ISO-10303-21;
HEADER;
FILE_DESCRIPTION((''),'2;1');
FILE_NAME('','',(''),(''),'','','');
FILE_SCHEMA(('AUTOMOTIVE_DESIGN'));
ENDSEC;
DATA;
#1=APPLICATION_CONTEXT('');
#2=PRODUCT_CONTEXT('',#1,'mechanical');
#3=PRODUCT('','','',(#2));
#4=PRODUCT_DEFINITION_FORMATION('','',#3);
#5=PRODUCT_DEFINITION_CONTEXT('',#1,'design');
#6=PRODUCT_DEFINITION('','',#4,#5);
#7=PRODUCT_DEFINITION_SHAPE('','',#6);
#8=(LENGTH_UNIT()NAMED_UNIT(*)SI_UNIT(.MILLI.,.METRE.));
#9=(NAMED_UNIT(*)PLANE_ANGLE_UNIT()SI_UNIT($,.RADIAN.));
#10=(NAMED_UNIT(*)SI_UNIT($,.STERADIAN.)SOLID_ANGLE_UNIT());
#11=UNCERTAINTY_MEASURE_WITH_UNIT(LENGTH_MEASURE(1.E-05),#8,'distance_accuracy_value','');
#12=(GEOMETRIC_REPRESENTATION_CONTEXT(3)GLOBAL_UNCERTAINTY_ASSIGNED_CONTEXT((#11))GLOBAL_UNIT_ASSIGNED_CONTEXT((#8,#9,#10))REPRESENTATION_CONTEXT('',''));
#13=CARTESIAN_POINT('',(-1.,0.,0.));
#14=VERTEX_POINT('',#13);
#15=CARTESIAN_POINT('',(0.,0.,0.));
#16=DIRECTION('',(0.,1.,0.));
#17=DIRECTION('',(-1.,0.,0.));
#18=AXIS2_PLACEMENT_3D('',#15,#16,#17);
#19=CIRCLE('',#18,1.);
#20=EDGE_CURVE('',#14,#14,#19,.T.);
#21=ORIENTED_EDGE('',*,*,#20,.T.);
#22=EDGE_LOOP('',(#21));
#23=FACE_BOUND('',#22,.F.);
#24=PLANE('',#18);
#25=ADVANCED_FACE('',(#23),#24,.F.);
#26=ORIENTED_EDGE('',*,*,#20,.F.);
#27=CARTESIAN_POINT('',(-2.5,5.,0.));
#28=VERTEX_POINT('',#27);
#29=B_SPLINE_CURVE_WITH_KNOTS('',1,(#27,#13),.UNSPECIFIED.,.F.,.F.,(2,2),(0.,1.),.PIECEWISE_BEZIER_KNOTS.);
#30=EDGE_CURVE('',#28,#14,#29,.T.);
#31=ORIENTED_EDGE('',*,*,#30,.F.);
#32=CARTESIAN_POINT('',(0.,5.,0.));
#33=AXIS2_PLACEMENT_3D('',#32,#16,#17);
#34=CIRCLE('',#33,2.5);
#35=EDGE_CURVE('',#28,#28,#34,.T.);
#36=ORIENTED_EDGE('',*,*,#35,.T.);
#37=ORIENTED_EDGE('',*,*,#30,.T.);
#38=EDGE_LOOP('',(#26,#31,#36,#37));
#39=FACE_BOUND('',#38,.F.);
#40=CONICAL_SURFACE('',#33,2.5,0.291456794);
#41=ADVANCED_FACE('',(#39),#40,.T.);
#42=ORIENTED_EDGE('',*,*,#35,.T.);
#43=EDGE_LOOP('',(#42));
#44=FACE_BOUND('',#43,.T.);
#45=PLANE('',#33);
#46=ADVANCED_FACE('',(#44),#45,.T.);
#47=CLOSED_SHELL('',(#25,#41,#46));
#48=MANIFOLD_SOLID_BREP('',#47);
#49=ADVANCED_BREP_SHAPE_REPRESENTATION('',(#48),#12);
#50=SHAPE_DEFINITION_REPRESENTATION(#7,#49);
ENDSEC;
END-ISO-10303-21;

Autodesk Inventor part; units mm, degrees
ref_plane "YZ Plane" through (0, 0, 0) normal (1, 0, 0) x (0, 1, 0)
ref_plane "XY Plane" through (0, 0, 0) normal (0, 0, 1) x (1, 0, 0)
sketch "Boceto1" plane through (0, 0, 0) normal (0, 1, 0) x (-1, 0, 0)
  circle A0 centre (0, 0) radius 1
  dimension "d0" = 2
sketch "Boceto2" plane through (0, 0, 0) normal (0, 0, 1) x (1, 0, 0)
  line L0 (0, 0) -> (0, 5)
  dimension "d1" = 5
ref_plane "Plano de trabajo1" through (0, 5, 0) normal (0, 1, 0) x (-1, 0, 0)
sketch "Boceto3" plane through (0, 5, 0) normal (0, 1, 0) x (-1, 0, 0)
  circle A0 centre (0, 0) radius 2.5
  dimension "d3" = 5
loft "Solevación1" add profiles "Boceto3", "Boceto1"
properties part number "Soportes"
